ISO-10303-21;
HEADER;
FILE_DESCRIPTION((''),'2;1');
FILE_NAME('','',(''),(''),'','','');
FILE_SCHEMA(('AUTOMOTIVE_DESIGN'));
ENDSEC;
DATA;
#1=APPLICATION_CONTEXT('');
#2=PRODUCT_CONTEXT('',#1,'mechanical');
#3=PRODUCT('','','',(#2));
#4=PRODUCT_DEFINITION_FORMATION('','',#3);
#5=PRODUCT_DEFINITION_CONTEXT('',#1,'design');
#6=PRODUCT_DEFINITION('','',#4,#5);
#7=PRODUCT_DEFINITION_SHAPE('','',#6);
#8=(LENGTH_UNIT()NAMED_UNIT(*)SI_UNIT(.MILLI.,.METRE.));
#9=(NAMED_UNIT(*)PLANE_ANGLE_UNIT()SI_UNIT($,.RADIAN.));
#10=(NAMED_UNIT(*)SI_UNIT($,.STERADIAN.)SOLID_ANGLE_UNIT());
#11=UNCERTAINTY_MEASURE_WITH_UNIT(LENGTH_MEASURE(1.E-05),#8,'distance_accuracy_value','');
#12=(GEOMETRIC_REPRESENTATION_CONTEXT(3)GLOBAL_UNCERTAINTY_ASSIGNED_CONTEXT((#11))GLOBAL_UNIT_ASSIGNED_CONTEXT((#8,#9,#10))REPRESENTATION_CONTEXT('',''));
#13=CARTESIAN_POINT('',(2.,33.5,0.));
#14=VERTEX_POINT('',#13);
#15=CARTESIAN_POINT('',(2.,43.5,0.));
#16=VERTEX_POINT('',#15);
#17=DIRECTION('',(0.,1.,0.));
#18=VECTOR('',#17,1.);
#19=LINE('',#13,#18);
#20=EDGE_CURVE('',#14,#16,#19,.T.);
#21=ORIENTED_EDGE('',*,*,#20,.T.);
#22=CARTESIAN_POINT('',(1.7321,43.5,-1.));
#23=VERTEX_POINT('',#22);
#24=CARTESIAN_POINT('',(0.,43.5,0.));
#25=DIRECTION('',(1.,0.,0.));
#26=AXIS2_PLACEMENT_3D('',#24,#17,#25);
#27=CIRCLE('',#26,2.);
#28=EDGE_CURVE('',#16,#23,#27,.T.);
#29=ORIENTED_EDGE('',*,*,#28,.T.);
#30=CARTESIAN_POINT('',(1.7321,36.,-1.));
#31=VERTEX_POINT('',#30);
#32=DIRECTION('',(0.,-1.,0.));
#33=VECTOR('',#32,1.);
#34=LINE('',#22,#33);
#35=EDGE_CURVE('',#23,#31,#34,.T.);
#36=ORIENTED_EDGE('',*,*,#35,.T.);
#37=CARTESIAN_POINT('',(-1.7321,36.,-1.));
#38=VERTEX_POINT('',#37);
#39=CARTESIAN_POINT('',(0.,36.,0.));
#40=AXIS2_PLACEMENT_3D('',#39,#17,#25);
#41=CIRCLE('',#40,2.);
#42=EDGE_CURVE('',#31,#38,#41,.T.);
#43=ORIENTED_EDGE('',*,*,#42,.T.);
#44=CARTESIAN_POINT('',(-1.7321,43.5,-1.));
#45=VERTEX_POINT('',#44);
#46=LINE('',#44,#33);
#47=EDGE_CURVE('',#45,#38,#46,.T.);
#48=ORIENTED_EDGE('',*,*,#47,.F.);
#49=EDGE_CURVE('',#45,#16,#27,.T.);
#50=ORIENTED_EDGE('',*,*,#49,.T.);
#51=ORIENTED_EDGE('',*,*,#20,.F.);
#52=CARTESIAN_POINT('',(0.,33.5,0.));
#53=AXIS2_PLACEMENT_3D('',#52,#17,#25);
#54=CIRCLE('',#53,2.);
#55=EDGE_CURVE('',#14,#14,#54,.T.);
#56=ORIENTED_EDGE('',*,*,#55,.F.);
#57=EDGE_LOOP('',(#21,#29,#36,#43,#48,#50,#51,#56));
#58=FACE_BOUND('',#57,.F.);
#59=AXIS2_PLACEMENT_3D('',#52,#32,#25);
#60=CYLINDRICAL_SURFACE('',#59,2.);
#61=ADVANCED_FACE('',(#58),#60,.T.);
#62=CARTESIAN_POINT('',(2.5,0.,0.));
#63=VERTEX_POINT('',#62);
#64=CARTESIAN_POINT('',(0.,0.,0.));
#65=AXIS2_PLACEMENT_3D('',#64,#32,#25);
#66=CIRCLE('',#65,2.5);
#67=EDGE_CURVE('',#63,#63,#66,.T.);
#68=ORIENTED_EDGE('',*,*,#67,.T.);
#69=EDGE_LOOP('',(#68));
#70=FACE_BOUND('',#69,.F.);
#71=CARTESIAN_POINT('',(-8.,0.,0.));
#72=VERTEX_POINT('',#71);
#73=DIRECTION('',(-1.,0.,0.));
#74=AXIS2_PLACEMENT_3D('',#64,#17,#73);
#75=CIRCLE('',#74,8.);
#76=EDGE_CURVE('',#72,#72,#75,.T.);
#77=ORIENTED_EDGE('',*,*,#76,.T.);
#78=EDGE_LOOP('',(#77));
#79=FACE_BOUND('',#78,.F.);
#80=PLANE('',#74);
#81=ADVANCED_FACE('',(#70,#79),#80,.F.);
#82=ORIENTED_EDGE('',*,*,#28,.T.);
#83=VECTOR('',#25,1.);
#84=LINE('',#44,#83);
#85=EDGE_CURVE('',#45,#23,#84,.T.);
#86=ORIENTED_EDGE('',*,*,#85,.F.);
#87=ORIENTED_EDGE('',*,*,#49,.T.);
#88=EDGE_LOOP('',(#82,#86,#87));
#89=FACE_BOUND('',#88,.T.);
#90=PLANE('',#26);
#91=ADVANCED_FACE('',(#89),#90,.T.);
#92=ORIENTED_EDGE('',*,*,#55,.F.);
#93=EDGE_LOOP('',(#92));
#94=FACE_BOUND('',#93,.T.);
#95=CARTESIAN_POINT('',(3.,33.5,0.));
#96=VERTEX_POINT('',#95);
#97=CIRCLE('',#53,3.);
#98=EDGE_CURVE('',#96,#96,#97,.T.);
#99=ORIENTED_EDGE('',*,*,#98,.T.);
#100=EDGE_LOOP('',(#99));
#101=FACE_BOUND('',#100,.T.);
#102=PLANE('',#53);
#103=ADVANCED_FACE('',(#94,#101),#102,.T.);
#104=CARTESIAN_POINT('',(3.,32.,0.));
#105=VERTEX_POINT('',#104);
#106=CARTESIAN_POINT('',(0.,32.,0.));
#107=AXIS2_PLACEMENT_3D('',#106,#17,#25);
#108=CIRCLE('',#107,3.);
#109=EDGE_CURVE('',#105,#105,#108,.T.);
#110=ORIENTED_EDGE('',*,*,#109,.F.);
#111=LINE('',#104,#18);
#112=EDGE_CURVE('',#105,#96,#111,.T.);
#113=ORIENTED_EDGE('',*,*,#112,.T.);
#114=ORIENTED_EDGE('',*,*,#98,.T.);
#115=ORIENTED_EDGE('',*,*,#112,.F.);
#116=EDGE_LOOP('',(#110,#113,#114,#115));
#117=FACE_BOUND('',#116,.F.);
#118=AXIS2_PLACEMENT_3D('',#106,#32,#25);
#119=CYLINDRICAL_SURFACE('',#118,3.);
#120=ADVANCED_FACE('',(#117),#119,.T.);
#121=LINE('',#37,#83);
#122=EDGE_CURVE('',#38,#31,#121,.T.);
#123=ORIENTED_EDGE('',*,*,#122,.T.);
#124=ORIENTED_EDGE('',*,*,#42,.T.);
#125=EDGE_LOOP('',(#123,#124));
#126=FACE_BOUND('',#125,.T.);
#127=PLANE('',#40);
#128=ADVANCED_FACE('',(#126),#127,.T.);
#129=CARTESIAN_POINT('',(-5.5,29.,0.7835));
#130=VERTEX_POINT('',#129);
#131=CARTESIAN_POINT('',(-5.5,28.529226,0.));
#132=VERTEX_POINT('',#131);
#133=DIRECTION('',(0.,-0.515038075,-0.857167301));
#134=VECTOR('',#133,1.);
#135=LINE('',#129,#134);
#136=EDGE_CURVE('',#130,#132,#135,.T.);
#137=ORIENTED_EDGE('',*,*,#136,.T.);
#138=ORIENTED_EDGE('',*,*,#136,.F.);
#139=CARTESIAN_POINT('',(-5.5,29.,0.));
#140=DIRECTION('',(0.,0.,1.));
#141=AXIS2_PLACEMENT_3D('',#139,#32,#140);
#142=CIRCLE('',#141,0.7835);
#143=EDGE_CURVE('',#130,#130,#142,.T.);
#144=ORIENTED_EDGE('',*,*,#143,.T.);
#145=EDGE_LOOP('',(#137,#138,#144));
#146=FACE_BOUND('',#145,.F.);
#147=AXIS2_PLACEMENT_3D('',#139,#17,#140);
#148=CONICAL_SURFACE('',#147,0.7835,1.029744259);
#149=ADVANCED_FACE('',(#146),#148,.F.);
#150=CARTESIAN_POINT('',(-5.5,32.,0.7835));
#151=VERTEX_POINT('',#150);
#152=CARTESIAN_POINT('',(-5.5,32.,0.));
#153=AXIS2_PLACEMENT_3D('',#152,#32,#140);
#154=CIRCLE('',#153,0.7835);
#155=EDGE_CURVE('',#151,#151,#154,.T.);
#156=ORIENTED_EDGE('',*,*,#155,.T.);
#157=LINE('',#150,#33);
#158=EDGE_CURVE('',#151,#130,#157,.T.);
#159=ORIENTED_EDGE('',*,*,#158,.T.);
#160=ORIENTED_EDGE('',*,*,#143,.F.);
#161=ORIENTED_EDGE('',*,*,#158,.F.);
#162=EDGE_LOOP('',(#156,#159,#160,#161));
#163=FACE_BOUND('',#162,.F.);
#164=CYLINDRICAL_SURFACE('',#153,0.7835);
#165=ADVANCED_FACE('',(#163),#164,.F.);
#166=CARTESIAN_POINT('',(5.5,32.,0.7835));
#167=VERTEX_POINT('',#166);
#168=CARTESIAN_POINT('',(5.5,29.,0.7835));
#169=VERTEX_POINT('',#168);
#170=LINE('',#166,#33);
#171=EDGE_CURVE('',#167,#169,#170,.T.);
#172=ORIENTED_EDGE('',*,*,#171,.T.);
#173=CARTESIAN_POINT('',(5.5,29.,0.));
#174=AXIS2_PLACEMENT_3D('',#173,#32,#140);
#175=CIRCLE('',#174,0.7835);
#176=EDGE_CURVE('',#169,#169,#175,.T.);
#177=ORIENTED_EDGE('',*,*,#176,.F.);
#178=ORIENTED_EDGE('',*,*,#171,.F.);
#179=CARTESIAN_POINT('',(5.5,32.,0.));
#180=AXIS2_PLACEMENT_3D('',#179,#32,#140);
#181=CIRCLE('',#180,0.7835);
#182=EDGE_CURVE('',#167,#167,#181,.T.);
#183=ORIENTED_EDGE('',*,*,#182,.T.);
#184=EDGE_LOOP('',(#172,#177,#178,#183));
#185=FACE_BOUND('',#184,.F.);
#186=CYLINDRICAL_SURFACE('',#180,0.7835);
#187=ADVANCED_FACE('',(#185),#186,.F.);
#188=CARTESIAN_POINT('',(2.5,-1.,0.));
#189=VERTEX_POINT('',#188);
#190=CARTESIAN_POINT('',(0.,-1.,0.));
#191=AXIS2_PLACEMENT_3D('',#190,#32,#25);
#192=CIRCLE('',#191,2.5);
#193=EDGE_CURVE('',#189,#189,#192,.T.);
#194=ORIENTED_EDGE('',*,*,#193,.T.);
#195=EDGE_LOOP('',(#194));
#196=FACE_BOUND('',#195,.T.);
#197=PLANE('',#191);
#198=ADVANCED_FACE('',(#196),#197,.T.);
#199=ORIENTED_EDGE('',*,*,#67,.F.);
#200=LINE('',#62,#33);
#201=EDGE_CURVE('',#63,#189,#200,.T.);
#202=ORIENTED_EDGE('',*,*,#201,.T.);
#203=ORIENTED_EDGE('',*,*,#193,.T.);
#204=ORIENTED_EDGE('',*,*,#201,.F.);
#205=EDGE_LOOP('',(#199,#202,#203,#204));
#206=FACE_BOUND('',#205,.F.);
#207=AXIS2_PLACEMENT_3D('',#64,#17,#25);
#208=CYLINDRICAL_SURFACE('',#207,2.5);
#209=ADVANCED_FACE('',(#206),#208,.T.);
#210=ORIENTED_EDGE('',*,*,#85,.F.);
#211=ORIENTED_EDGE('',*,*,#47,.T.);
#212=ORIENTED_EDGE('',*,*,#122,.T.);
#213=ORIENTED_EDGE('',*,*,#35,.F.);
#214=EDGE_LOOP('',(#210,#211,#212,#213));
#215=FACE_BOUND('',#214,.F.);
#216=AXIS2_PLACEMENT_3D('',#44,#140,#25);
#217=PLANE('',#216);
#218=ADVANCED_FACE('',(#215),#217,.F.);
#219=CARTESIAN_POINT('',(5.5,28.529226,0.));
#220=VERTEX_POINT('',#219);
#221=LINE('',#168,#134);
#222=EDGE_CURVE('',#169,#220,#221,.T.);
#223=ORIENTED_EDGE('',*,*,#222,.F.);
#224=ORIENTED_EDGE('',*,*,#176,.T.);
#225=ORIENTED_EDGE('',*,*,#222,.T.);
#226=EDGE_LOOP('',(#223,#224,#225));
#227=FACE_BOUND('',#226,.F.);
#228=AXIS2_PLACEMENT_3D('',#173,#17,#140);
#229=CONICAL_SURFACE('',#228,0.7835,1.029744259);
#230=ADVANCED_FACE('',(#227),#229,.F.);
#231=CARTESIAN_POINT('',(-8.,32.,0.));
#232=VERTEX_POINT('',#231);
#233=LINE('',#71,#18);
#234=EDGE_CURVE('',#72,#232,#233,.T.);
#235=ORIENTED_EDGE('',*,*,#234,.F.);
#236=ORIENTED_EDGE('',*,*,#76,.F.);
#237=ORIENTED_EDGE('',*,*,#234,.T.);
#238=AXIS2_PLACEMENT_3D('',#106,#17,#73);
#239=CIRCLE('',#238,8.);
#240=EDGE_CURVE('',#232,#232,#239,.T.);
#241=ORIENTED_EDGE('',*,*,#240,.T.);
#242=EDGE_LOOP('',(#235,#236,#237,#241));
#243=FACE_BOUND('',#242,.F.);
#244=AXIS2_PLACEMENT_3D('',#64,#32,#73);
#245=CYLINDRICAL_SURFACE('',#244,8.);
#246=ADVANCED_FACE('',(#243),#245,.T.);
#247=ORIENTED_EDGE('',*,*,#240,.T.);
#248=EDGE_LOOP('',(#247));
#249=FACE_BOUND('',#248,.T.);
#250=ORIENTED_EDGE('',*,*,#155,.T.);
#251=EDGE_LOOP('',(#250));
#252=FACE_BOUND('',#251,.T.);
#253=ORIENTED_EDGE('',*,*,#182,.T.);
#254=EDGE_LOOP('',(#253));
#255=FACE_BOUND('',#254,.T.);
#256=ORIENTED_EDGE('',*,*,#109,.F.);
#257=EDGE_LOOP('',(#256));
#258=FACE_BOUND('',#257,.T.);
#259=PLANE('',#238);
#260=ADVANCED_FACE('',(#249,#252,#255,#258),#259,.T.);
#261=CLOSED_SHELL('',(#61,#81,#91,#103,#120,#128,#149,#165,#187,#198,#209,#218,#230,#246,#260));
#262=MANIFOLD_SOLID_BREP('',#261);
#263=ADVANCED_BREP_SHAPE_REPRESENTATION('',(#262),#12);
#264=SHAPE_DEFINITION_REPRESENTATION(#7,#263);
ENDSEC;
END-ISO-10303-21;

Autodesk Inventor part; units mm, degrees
ref_plane "YZ Plane" through (0, 0, 0) normal (1, 0, 0) x (0, 1, 0)
ref_plane "XZ Plane" through (0, 0, 0) normal (0, 1, 0) x (-1, 0, 0)
ref_plane "XY Plane" through (0, 0, 0) normal (0, 0, 1) x (1, 0, 0)
sketch "Sketch1" plane through (0, 0, 0) normal (0, 1, 0) x (-1, 0, 0)
  circle A0 centre (0, 0) radius 8
  dimension "d0" = 16
extrude "Extrusion1" add sketch "Sketch1" along normal blind 32
sketch "Sketch2" plane through (0, 32, 0) normal (0, 1, 0) x (1, 0, 0)
  circle A0 centre (0, 0) radius 8 projected
  circle A1 centre (0, 0) radius 3
  point P0 (5.5, 0)
  point P1 (-5.5, 0)
  dimension "d3" = 6
  dimension "d4" = 5.5
  dimension "d7" = 360
extrude "Extrusion2" add sketch "Sketch2" along normal blind 1.5 contours A1
hole "Hole1" at (5.5, 32, 0) at (-5.5, 32, 0) direction (0, -1, 0) diameter 1.567 depth 3 tip angle 118 thread size "M2x0.4" class "6H" standard "ANSI Metric M Profile"
sketch "Sketch3" plane through (0, 33.5, 0) normal (0, 1, 0) x (1, 0, 0)
  circle A0 centre (0, 0) radius 3 projected
  circle A1 centre (0, 0) radius 2
  dimension "d18" = 4
extrude "Extrusion3" add sketch "Sketch3" along normal blind 10 contours A1
sketch "Sketch4" plane through (0, 43.5, 0) normal (0, 1, 0) x (1, 0, 0)
  circle A0 centre (0, 0) radius 2 projected
  arc A1 (1.7321, 1) -> (-1.7321, 1) centre (0, 0) ccw
  line L0 (-1.7321, 1) -> (1.7321, 1)
  dimension "d21" = 1
  dimension "d23" = 1
extrude "Extrusion4" cut sketch "Sketch4" against normal blind 7.5 contours L0 A0 picked at (0.4849, 1.1242)
sketch "Sketch5" plane through (0, 0, 0) normal (0, -1, 0) x (1, 0, 0)
  circle A0 centre (0, 0) radius 8 projected
  circle A1 centre (0, 0) radius 2.5
  dimension "d26" = 5
extrude "Extrusion5" add sketch "Sketch5" along normal blind 1 contours A1
properties part number "motor_43dsd"
